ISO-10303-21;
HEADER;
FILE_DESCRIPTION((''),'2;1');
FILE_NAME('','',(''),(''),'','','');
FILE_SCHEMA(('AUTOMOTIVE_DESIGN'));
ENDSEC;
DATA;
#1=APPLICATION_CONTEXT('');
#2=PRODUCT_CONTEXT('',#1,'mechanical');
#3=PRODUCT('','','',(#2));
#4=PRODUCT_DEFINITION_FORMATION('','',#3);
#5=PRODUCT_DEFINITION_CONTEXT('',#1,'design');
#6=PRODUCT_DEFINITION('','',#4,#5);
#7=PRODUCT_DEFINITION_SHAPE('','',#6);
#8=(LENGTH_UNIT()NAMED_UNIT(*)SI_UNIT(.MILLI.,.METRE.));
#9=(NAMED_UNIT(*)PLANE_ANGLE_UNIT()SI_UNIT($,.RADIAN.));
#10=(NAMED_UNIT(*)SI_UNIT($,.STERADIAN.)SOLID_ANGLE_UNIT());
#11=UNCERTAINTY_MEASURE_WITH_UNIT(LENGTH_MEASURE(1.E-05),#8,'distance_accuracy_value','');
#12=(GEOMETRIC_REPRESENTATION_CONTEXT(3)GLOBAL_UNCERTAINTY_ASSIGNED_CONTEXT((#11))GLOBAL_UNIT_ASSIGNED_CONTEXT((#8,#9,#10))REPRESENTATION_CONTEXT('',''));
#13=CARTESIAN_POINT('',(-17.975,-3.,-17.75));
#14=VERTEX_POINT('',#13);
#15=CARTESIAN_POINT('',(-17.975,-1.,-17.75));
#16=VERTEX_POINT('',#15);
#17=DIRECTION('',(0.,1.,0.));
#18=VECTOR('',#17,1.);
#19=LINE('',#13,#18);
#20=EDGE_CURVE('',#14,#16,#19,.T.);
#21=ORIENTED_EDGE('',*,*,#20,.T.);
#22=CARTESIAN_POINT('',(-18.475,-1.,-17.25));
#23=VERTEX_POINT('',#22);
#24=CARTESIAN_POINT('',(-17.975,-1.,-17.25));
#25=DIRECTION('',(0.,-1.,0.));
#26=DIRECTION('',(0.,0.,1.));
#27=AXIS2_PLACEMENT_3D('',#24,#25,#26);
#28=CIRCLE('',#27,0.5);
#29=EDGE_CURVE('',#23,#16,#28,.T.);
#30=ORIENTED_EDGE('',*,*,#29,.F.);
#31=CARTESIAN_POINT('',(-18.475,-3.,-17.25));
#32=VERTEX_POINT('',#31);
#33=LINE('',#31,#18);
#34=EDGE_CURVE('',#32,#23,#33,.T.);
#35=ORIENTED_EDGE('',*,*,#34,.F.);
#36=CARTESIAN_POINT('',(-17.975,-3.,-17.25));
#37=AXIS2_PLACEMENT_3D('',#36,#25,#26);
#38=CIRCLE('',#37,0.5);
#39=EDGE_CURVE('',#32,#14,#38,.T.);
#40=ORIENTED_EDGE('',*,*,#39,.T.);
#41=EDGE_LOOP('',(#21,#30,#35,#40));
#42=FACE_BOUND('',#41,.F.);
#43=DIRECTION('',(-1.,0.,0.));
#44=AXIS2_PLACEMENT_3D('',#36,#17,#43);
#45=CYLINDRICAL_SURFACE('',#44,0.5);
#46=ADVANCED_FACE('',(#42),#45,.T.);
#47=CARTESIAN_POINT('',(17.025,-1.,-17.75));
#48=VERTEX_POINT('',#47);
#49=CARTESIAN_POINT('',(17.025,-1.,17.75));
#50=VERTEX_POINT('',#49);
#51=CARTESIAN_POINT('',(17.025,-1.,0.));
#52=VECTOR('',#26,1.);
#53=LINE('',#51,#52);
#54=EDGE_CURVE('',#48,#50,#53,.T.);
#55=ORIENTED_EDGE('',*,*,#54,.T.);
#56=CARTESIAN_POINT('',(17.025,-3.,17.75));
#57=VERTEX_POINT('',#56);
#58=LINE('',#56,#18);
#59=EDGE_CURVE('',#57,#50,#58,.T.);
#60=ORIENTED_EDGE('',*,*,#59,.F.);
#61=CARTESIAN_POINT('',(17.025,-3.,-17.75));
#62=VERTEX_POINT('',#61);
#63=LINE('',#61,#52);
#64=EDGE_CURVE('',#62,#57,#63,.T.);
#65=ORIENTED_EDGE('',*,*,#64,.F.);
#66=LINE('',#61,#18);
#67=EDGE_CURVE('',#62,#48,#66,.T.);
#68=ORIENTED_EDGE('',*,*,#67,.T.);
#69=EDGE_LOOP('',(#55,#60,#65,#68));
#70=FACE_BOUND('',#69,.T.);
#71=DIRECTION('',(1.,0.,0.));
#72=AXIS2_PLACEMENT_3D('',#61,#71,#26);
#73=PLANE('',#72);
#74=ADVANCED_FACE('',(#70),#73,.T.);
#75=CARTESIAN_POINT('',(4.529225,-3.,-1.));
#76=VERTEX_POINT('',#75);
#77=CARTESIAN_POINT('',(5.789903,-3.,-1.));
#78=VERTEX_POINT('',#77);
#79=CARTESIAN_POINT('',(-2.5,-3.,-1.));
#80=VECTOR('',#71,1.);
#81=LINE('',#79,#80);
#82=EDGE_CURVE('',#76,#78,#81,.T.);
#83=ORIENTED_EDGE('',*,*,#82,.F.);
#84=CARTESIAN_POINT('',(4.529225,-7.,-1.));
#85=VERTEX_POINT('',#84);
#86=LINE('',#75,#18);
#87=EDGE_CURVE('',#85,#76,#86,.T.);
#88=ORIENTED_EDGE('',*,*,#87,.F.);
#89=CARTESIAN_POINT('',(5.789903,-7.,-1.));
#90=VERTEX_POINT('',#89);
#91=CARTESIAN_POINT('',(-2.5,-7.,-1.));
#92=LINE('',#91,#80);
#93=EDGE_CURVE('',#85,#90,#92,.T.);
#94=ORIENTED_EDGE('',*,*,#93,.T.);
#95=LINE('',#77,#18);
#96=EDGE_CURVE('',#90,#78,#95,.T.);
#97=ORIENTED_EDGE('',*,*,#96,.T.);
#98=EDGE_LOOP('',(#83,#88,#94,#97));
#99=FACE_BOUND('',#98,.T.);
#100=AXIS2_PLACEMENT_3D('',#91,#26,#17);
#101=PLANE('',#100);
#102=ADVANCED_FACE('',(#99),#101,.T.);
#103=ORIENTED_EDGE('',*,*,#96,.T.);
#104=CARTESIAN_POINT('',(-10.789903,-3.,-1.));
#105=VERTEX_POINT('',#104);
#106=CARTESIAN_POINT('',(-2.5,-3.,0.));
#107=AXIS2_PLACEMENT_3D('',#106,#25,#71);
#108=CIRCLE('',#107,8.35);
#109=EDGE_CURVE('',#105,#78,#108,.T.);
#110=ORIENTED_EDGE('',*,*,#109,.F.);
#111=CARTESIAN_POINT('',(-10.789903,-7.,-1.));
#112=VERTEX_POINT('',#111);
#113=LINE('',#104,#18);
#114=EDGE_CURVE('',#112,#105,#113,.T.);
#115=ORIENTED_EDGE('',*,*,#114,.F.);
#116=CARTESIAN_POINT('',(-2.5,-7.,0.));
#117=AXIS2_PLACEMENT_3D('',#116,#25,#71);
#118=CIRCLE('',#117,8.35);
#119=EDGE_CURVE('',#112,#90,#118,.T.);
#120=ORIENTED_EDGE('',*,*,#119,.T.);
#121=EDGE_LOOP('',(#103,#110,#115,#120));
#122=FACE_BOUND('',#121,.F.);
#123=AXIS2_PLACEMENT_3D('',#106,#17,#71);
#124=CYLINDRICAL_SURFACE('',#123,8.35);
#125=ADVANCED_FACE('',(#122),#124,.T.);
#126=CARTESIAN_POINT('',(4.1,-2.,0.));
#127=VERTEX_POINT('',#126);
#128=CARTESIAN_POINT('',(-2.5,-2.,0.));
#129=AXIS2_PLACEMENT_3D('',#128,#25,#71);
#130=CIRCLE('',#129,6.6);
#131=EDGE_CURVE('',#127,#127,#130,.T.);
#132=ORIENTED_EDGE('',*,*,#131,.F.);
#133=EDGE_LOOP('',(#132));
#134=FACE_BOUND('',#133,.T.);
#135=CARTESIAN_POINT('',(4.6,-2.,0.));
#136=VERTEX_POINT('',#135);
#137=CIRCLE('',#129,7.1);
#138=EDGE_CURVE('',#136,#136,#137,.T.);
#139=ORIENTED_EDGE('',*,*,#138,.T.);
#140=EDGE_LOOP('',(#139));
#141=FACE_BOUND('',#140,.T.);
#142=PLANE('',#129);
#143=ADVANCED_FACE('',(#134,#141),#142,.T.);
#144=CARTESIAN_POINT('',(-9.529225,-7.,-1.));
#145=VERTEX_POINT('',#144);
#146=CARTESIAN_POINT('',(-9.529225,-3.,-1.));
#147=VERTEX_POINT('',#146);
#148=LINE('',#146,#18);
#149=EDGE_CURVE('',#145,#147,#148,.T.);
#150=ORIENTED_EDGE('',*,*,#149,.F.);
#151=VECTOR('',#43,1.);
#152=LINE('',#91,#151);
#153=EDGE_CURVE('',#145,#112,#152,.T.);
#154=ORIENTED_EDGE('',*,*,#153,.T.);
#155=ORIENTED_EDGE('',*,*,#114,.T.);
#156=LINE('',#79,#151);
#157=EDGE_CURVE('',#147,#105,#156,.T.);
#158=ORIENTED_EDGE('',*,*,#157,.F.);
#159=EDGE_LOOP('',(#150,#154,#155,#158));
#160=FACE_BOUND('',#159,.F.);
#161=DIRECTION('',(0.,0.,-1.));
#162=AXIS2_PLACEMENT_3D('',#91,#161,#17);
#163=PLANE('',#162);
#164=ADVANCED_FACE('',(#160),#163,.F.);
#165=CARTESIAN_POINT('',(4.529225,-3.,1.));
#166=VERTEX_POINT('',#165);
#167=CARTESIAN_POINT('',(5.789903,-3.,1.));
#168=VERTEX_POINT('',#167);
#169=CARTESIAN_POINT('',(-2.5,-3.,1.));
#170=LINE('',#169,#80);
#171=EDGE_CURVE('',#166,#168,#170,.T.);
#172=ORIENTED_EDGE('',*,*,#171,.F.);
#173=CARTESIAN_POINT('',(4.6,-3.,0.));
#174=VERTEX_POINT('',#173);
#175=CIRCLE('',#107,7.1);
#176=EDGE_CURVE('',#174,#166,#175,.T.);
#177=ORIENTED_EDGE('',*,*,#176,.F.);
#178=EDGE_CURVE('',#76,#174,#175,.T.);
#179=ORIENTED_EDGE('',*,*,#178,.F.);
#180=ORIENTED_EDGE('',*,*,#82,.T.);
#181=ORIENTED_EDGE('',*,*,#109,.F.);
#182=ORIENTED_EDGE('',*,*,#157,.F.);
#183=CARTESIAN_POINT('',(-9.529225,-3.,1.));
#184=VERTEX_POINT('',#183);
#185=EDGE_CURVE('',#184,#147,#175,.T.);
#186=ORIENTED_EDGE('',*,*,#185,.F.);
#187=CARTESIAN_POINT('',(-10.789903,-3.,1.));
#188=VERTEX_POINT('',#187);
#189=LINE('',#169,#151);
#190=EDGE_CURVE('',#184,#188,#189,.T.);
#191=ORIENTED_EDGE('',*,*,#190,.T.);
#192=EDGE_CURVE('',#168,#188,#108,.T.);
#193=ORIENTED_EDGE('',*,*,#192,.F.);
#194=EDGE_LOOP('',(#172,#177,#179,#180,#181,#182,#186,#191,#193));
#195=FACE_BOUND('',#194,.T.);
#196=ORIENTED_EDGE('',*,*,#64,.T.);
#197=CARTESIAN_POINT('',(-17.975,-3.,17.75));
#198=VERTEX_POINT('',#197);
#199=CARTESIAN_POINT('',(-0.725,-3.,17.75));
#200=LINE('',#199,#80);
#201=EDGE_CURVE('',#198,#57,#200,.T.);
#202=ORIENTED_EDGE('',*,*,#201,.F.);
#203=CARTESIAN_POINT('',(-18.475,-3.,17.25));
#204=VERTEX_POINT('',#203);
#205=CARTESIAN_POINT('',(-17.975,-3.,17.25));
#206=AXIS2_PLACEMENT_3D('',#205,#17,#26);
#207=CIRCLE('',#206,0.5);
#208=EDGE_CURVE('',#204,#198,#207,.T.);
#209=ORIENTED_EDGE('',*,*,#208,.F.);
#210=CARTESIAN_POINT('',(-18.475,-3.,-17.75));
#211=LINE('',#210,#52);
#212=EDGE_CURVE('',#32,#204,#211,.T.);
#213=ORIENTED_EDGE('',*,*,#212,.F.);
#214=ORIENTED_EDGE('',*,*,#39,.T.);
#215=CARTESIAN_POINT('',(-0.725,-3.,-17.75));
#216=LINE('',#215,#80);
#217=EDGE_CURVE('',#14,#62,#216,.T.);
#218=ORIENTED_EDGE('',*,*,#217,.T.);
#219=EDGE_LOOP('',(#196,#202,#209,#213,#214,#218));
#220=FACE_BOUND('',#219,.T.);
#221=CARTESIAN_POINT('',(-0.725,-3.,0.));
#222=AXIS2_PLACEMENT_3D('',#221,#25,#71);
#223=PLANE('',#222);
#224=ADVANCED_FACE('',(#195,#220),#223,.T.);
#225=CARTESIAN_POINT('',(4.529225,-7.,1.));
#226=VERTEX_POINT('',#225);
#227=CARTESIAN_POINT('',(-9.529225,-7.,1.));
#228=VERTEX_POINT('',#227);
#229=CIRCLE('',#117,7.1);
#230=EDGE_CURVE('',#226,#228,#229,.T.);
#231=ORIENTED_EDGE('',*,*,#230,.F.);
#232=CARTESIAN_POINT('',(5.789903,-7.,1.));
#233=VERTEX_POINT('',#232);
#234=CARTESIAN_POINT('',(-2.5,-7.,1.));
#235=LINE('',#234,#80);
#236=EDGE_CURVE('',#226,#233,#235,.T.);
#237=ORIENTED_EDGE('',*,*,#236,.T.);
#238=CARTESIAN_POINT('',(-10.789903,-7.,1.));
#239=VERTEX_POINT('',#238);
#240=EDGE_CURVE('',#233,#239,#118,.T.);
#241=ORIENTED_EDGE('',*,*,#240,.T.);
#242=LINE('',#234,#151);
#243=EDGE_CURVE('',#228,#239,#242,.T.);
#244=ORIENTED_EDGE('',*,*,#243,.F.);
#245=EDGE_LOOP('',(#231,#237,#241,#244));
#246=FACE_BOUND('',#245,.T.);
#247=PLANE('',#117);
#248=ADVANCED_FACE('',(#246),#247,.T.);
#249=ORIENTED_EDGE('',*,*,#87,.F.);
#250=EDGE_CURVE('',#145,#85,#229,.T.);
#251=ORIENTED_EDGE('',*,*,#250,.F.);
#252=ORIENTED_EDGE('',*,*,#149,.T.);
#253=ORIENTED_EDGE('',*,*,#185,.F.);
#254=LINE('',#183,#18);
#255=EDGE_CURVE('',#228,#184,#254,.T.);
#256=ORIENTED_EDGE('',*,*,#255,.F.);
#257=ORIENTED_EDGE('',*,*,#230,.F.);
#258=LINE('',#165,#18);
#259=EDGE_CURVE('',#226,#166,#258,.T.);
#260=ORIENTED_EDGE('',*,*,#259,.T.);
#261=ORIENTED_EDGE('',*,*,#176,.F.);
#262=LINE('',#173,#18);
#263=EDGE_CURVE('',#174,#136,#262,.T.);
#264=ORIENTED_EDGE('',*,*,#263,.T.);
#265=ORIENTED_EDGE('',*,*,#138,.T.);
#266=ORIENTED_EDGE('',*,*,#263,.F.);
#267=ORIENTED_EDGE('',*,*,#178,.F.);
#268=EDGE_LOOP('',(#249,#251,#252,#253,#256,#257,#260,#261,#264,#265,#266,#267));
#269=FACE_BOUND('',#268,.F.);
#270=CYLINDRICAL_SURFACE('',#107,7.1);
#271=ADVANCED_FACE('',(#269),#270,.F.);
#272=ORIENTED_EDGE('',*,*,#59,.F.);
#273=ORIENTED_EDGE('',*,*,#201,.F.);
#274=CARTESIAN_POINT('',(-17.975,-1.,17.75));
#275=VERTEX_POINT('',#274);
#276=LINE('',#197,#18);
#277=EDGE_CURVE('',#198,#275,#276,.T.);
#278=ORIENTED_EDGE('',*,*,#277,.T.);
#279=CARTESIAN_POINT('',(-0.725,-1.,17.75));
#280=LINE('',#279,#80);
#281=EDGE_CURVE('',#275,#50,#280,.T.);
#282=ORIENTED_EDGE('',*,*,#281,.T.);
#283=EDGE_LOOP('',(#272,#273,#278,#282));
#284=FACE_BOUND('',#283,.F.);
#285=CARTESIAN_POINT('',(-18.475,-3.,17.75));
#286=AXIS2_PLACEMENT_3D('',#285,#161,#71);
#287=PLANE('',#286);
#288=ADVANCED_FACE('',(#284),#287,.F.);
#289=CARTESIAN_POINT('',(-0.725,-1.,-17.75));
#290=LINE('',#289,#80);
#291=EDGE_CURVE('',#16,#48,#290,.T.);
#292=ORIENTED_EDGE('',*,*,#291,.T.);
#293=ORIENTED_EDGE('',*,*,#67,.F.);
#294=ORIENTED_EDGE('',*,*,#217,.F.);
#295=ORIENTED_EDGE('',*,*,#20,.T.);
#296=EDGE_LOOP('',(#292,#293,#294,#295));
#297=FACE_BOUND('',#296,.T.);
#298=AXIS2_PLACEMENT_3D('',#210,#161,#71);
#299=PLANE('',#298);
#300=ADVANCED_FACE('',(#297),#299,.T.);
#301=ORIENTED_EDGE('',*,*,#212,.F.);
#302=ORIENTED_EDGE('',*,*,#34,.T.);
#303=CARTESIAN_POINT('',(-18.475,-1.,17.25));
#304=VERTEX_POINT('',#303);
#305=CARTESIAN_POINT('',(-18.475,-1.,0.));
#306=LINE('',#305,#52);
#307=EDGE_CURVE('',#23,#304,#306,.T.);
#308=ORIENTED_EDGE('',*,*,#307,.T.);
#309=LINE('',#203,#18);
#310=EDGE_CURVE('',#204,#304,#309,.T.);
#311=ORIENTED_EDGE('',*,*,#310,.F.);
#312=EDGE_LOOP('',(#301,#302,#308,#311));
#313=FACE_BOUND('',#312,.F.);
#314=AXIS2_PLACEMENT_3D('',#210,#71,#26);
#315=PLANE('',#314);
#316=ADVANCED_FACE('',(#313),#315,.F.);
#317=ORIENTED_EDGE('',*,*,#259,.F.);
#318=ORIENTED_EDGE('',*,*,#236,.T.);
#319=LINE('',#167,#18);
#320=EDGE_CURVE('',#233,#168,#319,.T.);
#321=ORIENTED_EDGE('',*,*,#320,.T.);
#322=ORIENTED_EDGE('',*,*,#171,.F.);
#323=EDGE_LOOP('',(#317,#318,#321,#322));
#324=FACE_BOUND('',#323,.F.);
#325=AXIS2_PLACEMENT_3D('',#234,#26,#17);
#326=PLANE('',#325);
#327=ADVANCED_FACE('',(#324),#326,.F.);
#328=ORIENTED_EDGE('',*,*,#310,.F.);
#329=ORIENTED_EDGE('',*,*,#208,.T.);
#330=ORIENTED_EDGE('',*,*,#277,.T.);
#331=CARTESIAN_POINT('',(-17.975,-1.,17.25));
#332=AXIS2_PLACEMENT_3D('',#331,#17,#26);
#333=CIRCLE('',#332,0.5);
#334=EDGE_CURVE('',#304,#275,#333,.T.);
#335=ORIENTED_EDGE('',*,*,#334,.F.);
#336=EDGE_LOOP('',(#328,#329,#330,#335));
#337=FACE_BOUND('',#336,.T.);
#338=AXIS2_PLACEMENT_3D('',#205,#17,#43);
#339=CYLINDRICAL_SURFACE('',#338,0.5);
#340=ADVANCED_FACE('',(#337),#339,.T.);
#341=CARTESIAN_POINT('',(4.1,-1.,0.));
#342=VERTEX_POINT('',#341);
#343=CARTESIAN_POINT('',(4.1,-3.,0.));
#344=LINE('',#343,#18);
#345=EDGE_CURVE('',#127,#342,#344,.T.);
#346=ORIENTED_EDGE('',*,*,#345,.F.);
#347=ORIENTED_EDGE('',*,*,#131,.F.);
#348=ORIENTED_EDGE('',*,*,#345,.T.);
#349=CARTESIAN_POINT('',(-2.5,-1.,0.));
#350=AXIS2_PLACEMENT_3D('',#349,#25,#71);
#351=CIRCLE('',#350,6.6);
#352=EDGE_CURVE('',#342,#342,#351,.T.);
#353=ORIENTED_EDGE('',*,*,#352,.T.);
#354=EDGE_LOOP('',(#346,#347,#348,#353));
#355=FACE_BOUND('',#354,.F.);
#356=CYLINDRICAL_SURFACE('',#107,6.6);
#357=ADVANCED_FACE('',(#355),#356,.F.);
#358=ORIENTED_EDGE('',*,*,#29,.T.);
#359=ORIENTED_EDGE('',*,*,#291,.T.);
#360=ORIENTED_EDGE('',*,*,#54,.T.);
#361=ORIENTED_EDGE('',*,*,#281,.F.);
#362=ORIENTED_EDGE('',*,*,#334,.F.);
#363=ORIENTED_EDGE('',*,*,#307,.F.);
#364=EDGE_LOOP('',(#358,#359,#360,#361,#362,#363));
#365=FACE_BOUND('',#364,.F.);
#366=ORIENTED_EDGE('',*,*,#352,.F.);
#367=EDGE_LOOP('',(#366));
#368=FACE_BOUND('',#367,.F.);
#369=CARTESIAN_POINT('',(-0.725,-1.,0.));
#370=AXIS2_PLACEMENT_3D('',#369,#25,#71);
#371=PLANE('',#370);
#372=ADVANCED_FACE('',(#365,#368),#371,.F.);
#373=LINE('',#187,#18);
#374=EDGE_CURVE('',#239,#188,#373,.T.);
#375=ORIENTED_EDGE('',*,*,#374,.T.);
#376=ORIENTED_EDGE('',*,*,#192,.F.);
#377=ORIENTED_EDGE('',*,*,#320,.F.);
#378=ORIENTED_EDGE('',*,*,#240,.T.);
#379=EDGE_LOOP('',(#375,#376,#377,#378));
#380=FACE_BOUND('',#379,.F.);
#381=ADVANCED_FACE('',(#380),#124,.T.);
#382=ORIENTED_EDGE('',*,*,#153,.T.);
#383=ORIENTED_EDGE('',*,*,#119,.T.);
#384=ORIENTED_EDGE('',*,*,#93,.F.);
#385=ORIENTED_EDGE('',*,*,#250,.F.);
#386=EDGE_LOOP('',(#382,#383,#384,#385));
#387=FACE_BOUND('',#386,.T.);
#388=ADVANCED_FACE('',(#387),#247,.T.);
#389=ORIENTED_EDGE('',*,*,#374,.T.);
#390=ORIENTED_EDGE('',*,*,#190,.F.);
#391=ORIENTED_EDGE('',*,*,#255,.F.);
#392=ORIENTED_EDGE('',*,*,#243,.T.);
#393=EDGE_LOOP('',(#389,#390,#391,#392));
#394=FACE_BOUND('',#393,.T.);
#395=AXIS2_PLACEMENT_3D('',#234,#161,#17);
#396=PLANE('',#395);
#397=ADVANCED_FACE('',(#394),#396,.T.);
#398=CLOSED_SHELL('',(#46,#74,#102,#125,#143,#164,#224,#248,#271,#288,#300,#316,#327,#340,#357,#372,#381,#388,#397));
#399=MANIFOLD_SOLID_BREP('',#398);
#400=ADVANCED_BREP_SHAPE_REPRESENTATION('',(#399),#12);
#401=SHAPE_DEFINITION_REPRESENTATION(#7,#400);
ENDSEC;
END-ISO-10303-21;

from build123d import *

# Parameters (mm, degrees)
SKETCH_R          = 8.35
SKETCH_R_2        = 7.1
PAD_DEPTH         = 4
SKETCH001_W       = 35.5
SKETCH001_H       = 35.5
SKETCH001_R       = 6.6
PAD001_DEPTH      = 2
SKETCH002_W       = 4
SKETCH002_H       = 2
POCKET_DEPTH      = 25
POCKET_DEPTH_BACK = 25
FILLET002_R       = 0.5
SKETCH010_R       = 7.1
POCKET002_DEPTH   = 1


with BuildPart() as part:
    # Sketch → Pad (new body)
    with BuildSketch(Plane.XZ):
        Circle(SKETCH_R)
        Circle(SKETCH_R_2, mode=Mode.SUBTRACT)
    extrude(amount=PAD_DEPTH)

    # Sketch001 → Pad001 (join)
    with BuildSketch(Plane.XZ):
        with Locations((1.775, 0)):
            Rectangle(SKETCH001_W, SKETCH001_H)
        Circle(SKETCH001_R, mode=Mode.SUBTRACT)
    extrude(amount=-PAD001_DEPTH)

    # Sketch002 (on DatumPlane) → Pocket (cut, two sides)
    with BuildSketch(Plane.YZ) as pocket_sk:
        with Locations((-2, 0)):
            Rectangle(SKETCH002_W, SKETCH002_H)
    extrude(amount=-POCKET_DEPTH, mode=Mode.SUBTRACT)
    extrude(pocket_sk.sketch, amount=POCKET_DEPTH_BACK, mode=Mode.SUBTRACT)

    # Fillet002
    fillet002_edges = [part.edges().sort_by_distance(p)[0] for p in [
        (-15.975, 1, -17.75),
        (-15.975, 1, 17.75),
    ]]
    fillet(fillet002_edges, radius=FILLET002_R)

    # Sketch010 → Pocket002 (cut)
    with BuildSketch(Plane.XZ):
        Circle(SKETCH010_R)
    extrude(amount=-POCKET002_DEPTH, mode=Mode.SUBTRACT)


with BuildPart() as part_1:
    # Body placement: moved
    add(part.part.moved(Location((-2.5, -3, 0))))


solid = part_1.part
